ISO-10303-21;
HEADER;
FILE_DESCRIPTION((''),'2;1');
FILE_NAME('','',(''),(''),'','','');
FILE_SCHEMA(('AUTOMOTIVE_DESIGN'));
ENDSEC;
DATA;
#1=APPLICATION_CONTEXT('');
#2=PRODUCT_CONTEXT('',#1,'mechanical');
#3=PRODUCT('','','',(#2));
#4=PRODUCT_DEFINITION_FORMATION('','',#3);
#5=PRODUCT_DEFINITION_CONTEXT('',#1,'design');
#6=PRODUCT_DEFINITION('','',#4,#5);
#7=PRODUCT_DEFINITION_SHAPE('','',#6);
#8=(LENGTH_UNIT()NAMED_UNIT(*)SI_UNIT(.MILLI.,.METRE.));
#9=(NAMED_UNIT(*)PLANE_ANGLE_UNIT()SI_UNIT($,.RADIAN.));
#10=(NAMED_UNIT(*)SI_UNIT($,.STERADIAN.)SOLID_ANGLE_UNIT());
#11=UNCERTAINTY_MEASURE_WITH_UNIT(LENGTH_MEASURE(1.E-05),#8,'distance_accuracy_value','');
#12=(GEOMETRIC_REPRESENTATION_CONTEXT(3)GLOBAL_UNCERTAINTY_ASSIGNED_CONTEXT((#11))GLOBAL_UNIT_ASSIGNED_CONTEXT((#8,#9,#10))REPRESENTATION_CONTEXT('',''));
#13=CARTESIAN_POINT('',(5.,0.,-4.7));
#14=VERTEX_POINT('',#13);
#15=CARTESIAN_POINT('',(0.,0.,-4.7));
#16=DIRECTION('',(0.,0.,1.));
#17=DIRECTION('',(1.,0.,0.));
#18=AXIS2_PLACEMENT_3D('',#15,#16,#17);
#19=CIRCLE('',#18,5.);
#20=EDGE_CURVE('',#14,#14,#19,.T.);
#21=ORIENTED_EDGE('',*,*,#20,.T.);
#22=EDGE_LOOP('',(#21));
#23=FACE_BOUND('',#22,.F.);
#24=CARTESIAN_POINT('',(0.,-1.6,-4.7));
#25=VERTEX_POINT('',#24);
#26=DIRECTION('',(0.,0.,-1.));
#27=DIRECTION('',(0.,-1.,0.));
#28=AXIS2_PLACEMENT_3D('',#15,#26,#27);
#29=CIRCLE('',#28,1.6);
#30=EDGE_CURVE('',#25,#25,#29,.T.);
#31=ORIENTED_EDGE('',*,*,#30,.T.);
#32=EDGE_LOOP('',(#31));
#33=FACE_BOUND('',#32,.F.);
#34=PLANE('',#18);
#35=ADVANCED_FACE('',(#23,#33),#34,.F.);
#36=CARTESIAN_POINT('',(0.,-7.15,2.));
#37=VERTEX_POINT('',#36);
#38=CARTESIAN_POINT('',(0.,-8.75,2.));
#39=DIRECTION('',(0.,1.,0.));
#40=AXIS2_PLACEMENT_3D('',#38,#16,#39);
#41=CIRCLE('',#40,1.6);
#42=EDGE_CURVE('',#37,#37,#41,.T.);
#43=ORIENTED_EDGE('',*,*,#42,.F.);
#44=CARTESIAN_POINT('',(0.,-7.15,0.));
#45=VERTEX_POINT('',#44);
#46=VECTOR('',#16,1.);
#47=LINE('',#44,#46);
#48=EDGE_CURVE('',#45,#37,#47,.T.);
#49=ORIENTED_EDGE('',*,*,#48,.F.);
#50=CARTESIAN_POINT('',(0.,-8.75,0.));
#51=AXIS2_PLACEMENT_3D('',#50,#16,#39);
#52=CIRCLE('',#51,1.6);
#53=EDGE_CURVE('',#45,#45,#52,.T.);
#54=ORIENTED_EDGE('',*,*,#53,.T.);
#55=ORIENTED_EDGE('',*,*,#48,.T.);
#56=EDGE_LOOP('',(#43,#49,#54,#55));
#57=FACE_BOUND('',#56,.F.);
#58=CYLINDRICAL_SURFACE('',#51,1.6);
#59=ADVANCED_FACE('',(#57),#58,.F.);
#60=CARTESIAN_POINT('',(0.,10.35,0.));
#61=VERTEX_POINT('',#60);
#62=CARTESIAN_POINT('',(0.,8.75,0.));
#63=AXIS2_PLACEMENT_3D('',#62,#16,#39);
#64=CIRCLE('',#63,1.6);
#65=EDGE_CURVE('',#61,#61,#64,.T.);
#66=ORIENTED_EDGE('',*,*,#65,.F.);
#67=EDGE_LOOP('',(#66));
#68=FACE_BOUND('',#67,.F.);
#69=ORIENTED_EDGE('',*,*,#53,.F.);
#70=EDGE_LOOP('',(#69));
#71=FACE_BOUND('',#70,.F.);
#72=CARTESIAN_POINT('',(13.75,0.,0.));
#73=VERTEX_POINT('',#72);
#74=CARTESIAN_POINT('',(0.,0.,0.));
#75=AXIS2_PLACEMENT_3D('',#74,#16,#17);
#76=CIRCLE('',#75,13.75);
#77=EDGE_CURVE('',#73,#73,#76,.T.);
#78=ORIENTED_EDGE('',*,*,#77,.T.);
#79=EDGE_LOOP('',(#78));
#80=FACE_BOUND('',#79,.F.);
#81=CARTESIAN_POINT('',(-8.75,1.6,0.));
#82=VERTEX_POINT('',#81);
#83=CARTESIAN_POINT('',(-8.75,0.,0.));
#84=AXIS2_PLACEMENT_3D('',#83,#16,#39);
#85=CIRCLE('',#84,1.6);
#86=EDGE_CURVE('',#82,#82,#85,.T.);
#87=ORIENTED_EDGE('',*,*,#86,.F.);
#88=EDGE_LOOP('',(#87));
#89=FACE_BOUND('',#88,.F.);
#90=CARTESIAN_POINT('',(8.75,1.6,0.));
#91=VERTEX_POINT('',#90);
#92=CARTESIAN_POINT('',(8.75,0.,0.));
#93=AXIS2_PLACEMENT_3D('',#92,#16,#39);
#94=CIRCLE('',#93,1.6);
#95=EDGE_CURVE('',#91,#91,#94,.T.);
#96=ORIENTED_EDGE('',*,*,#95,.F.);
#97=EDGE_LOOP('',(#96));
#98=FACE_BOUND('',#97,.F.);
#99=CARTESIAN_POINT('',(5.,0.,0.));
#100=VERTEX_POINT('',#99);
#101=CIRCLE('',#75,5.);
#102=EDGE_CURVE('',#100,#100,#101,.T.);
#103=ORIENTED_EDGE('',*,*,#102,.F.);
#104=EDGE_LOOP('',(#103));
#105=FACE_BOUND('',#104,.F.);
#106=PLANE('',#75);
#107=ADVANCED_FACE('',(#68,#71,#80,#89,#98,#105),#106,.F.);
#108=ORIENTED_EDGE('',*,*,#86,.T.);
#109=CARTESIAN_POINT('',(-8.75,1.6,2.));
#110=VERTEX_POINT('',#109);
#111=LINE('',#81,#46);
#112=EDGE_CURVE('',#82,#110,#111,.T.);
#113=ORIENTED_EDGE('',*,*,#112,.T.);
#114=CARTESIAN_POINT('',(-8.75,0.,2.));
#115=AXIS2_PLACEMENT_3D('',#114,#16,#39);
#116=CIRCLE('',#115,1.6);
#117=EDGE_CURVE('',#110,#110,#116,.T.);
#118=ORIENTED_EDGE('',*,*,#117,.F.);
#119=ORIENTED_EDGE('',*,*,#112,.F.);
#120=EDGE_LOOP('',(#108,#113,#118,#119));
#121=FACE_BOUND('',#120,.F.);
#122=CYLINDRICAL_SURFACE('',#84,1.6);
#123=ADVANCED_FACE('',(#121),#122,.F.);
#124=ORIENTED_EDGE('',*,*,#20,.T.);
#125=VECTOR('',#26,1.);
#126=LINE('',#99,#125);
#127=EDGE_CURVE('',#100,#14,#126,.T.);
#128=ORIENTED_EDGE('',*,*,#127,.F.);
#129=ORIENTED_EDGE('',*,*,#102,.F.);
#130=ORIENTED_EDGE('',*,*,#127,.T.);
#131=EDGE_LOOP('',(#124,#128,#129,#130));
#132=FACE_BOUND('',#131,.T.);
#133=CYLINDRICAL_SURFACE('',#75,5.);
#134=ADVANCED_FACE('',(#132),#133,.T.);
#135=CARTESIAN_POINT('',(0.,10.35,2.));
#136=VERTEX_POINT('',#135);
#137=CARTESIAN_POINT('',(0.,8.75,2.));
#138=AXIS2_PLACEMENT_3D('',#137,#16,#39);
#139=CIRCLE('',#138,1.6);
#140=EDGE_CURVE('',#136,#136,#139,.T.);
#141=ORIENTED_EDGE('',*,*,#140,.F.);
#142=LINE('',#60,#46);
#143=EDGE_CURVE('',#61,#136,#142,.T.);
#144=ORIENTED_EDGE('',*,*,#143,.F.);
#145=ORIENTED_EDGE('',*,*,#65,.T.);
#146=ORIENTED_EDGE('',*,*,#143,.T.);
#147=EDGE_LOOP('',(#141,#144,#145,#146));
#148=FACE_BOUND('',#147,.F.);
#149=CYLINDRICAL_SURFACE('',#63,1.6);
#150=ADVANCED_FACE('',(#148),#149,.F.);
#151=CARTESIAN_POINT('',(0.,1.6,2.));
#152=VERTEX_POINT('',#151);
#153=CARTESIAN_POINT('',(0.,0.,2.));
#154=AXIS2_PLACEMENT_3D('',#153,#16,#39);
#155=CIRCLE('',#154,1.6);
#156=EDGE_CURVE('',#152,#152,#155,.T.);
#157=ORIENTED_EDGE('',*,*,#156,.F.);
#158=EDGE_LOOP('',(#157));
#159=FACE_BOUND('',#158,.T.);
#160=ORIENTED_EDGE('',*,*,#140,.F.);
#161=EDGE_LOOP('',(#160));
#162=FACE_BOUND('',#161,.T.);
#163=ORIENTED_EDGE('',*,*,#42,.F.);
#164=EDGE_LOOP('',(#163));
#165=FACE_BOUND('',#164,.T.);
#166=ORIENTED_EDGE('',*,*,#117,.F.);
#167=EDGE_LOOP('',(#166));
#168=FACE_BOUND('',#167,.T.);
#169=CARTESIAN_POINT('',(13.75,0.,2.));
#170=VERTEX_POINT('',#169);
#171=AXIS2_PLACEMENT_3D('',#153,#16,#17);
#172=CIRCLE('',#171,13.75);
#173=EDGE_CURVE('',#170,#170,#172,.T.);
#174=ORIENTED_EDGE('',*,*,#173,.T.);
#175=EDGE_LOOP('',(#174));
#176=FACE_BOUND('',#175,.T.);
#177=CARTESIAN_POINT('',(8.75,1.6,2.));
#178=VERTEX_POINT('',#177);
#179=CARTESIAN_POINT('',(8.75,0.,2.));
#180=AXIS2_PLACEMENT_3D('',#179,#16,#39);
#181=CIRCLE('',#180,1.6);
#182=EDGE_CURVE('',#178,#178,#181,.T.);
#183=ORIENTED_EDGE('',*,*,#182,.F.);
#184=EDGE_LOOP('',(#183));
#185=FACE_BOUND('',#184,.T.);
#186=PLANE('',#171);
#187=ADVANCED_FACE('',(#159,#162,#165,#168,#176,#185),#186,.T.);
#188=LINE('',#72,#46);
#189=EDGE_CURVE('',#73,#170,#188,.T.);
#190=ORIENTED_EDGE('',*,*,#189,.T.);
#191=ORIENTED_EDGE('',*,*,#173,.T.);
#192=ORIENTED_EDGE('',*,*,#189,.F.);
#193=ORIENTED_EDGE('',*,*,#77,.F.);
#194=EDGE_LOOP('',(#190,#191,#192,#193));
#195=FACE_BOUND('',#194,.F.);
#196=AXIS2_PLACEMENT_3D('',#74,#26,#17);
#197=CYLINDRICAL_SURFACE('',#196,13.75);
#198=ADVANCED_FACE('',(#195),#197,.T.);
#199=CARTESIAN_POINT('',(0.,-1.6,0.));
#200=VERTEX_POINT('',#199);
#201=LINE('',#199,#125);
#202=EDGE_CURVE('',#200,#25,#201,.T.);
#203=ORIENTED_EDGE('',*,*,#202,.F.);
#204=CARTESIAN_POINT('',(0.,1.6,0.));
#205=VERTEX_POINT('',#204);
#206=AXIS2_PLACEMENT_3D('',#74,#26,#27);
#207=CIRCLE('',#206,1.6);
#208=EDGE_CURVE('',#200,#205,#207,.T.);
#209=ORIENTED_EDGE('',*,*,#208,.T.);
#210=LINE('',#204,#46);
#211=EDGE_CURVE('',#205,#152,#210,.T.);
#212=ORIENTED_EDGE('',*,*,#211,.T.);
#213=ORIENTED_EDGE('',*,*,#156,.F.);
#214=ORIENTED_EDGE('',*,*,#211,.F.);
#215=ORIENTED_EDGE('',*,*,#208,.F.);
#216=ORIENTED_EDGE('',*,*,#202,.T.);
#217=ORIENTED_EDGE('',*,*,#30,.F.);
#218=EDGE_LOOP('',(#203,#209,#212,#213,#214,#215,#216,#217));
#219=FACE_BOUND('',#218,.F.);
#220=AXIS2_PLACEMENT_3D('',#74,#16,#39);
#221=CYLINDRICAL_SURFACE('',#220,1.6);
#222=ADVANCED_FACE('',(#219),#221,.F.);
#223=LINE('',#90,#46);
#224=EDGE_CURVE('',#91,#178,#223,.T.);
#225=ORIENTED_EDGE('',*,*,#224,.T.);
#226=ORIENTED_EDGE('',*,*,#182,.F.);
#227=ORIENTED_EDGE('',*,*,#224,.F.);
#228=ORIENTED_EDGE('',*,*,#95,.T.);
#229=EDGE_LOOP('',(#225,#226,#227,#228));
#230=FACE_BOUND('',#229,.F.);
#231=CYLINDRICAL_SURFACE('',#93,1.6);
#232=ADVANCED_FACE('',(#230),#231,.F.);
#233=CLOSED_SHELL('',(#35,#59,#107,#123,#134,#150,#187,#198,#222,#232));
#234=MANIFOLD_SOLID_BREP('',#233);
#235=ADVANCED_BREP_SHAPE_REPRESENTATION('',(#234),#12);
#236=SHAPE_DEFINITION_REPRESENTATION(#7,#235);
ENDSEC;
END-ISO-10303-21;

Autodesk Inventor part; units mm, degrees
ref_plane "YZ Plane" through (0, 0, 0) normal (1, 0, 0) x (0, 1, 0)
ref_plane "XZ Plane" through (0, 0, 0) normal (0, 1, 0) x (-1, 0, 0)
ref_plane "XY Plane" through (0, 0, 0) normal (0, 0, 1) x (1, 0, 0)
sketch "スケッチ1" plane through (0, 0, 0) normal (0, 0, 1) x (1, 0, 0)
  circle A0 centre (0, 0) radius 13.75
  line L0 (0, 13.75) -> (0, -13.75) construction
  line L1 (13.75, 0) -> (-13.75, 0) construction
  circle A1 centre (0, 0) radius 5
  point P0 (0, 8.75)
  point P1 (0, -8.75)
  point P2 (8.75, 0)
  point P3 (-8.75, 0)
  dimension "d0" = 27.5
  dimension "d1" = 17.5
  dimension "d2" = 17.5
  dimension "d3" = 10
extrude "押し出し1" add sketch "スケッチ1" along normal blind 2 contours A0 | A1
extrude "押し出し2" add sketch "スケッチ1" against normal blind 4.7 contours A1
hole "穴1" at (0, 0, 0) at (0, 8.75, 0) at (0, -8.75, 0) at (8.75, 0, 0) at (-8.75, 0, 0) direction (0, 0, -1) diameter 3.2 depth 8 tip angle 118
hole "穴2" at (-8.75, 0, 0) at (0, 8.75, 0) at (8.75, 0, 0) at (0, -8.75, 0) at (0, 0, 0) direction (0, 0, 1) diameter 3.2 depth 8 tip angle 118
sketch "スケッチ3" plane through (0, 0, 2) normal (0, 0, 1) x (1, 0, 0)
  circle A0 centre (0, -8.75) radius 1.6 projected
  circle A1 centre (0, 8.75) radius 1.6 projected
  circle A2 centre (-8.75, 0) radius 1.6 projected
  circle A3 centre (8.75, 0) radius 1.6 projected
  circle A4 centre (0, 0) radius 1.6 projected
  circle A5 centre (0, 0) radius 13.75 projected
equation "\"d2\" = d1"
properties part number "servo horn wide"
